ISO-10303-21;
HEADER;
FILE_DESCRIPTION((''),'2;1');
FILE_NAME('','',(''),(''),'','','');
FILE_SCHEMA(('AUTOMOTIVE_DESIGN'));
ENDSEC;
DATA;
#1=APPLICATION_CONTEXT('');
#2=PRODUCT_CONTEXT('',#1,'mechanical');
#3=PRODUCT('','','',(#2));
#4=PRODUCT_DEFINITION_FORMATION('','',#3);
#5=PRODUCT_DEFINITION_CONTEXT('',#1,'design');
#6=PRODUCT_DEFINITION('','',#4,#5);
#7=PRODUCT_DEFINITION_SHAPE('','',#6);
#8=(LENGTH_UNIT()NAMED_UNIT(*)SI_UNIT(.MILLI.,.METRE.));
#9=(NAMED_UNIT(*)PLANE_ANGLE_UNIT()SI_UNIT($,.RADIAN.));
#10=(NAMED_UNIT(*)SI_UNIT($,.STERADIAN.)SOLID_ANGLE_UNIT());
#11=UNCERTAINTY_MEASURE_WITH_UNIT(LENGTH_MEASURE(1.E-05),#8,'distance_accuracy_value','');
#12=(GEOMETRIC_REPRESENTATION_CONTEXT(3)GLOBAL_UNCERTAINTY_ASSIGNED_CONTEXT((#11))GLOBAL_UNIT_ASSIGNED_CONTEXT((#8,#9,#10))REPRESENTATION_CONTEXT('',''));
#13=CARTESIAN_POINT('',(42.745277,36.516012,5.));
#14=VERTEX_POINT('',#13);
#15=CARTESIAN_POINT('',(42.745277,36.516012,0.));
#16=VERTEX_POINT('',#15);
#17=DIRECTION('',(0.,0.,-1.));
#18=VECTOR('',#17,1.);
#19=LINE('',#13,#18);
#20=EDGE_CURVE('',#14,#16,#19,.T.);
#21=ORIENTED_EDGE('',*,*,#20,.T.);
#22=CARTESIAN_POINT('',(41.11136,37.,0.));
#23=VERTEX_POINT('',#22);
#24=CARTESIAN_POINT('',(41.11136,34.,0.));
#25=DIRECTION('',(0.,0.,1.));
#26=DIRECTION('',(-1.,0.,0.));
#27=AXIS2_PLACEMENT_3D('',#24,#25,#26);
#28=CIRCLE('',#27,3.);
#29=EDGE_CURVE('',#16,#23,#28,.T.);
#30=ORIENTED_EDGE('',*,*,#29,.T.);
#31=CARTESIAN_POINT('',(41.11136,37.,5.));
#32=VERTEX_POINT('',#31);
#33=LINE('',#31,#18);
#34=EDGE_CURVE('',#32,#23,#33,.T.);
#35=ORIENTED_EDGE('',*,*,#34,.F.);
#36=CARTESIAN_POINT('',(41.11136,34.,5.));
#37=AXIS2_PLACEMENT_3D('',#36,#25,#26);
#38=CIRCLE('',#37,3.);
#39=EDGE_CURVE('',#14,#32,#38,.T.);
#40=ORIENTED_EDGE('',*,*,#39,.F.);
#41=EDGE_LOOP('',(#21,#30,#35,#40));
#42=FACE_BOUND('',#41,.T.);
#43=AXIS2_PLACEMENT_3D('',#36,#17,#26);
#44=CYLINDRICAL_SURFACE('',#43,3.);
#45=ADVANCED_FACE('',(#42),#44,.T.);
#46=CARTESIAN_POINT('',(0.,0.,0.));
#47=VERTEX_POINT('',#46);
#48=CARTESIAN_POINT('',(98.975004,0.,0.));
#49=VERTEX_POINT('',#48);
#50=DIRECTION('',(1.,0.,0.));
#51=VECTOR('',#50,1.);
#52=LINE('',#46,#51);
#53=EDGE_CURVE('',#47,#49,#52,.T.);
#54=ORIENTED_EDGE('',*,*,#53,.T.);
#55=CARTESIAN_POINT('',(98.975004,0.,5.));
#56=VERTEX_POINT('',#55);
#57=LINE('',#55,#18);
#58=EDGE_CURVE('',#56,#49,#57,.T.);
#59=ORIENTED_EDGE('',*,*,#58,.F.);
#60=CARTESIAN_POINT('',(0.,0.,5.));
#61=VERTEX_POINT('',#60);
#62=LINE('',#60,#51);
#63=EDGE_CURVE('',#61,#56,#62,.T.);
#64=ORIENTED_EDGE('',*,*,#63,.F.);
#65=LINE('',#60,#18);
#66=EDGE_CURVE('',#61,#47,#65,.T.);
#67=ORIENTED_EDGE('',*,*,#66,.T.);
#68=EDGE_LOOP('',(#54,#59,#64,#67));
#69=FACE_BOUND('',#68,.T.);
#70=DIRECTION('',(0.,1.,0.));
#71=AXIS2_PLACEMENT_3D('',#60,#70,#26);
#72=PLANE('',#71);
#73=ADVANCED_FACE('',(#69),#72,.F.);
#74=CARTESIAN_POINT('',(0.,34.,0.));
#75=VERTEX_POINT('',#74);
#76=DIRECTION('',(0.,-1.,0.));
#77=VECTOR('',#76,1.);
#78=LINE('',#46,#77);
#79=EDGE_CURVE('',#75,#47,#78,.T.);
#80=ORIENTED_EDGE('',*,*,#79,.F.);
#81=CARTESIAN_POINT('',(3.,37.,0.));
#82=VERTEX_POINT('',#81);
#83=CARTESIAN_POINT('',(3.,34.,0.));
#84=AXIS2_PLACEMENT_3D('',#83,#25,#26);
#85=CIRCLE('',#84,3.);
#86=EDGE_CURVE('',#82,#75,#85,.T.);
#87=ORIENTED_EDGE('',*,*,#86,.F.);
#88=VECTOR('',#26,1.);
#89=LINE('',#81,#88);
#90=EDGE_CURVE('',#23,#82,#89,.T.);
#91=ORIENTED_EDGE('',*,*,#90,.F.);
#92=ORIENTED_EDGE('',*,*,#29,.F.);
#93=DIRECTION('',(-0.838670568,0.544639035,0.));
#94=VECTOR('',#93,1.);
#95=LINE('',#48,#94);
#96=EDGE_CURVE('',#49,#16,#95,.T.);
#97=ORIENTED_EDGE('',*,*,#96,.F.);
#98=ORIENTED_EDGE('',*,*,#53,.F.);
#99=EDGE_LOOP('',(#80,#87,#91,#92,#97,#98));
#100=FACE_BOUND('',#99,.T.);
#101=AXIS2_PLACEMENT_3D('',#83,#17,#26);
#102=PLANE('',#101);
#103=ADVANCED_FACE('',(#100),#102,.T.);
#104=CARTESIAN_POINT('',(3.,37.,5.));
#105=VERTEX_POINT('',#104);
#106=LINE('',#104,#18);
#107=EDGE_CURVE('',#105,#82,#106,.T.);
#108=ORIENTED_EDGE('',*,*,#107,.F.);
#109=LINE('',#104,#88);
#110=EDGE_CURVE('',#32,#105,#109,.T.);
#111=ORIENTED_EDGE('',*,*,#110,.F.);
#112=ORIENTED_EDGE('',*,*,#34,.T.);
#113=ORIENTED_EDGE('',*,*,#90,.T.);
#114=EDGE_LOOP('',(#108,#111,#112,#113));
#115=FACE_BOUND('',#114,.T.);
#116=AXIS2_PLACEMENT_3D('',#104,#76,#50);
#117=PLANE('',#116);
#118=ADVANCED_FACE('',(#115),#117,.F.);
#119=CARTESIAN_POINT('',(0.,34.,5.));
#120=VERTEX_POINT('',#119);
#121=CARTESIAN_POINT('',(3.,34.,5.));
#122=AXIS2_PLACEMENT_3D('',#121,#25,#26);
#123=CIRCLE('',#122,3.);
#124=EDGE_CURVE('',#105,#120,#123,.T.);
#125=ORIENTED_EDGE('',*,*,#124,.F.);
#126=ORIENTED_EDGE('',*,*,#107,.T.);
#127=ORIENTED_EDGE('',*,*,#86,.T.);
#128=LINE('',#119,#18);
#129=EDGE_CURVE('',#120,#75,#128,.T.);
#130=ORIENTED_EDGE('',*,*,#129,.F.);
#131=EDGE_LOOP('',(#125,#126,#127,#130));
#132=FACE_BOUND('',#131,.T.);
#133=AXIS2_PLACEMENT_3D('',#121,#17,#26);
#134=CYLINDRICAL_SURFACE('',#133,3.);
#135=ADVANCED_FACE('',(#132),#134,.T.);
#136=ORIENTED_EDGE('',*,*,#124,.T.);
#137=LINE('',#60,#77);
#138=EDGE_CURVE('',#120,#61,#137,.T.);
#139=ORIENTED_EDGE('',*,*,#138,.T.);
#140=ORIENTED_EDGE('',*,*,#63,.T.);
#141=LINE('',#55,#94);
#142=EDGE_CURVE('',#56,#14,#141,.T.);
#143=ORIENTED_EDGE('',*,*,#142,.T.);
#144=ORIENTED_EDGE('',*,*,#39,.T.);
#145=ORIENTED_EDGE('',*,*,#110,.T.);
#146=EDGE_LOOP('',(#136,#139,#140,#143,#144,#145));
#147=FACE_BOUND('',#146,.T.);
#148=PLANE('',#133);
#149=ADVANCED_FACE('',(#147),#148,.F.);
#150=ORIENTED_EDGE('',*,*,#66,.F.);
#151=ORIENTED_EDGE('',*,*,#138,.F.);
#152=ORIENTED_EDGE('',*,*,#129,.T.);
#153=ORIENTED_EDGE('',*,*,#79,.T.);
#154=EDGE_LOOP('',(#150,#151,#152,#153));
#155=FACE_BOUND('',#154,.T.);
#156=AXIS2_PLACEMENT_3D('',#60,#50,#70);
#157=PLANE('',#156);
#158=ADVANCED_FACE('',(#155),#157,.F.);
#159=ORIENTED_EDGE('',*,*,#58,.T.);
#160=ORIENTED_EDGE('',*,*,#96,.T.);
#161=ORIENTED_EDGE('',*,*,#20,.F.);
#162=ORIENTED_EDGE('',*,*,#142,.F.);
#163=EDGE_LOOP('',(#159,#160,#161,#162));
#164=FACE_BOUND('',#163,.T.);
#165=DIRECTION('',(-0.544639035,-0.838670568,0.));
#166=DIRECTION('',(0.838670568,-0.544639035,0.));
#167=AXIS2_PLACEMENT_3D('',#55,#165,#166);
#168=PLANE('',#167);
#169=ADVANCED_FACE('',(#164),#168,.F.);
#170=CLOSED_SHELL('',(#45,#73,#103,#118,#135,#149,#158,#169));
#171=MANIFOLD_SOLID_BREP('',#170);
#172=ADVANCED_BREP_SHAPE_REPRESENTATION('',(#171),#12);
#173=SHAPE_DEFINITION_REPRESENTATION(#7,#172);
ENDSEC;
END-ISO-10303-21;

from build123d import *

# Parameters (mm, degrees)
SALIENTE_EXTRUIR1_DEPTH = 5


with BuildPart() as part:
    # Croquis1 → Saliente-Extruir1 (new body)
    with BuildSketch(Plane.XY):
        with BuildLine():
            Line((0, 0), (98.975003661, 0))
            Line((98.975003661, 0), (42.74527662, 36.516011704))
            ThreePointArc((42.74527662, 36.516011704), (41.963405549, 36.876459205), (41.111359515, 37))
            Line((41.111359515, 37), (3, 37))
            ThreePointArc((3, 37), (0.878679656, 36.121320344), (0, 34))
            Line((0, 34), (0, 0))
        make_face()
    extrude(amount=SALIENTE_EXTRUIR1_DEPTH)


solid = part.part
